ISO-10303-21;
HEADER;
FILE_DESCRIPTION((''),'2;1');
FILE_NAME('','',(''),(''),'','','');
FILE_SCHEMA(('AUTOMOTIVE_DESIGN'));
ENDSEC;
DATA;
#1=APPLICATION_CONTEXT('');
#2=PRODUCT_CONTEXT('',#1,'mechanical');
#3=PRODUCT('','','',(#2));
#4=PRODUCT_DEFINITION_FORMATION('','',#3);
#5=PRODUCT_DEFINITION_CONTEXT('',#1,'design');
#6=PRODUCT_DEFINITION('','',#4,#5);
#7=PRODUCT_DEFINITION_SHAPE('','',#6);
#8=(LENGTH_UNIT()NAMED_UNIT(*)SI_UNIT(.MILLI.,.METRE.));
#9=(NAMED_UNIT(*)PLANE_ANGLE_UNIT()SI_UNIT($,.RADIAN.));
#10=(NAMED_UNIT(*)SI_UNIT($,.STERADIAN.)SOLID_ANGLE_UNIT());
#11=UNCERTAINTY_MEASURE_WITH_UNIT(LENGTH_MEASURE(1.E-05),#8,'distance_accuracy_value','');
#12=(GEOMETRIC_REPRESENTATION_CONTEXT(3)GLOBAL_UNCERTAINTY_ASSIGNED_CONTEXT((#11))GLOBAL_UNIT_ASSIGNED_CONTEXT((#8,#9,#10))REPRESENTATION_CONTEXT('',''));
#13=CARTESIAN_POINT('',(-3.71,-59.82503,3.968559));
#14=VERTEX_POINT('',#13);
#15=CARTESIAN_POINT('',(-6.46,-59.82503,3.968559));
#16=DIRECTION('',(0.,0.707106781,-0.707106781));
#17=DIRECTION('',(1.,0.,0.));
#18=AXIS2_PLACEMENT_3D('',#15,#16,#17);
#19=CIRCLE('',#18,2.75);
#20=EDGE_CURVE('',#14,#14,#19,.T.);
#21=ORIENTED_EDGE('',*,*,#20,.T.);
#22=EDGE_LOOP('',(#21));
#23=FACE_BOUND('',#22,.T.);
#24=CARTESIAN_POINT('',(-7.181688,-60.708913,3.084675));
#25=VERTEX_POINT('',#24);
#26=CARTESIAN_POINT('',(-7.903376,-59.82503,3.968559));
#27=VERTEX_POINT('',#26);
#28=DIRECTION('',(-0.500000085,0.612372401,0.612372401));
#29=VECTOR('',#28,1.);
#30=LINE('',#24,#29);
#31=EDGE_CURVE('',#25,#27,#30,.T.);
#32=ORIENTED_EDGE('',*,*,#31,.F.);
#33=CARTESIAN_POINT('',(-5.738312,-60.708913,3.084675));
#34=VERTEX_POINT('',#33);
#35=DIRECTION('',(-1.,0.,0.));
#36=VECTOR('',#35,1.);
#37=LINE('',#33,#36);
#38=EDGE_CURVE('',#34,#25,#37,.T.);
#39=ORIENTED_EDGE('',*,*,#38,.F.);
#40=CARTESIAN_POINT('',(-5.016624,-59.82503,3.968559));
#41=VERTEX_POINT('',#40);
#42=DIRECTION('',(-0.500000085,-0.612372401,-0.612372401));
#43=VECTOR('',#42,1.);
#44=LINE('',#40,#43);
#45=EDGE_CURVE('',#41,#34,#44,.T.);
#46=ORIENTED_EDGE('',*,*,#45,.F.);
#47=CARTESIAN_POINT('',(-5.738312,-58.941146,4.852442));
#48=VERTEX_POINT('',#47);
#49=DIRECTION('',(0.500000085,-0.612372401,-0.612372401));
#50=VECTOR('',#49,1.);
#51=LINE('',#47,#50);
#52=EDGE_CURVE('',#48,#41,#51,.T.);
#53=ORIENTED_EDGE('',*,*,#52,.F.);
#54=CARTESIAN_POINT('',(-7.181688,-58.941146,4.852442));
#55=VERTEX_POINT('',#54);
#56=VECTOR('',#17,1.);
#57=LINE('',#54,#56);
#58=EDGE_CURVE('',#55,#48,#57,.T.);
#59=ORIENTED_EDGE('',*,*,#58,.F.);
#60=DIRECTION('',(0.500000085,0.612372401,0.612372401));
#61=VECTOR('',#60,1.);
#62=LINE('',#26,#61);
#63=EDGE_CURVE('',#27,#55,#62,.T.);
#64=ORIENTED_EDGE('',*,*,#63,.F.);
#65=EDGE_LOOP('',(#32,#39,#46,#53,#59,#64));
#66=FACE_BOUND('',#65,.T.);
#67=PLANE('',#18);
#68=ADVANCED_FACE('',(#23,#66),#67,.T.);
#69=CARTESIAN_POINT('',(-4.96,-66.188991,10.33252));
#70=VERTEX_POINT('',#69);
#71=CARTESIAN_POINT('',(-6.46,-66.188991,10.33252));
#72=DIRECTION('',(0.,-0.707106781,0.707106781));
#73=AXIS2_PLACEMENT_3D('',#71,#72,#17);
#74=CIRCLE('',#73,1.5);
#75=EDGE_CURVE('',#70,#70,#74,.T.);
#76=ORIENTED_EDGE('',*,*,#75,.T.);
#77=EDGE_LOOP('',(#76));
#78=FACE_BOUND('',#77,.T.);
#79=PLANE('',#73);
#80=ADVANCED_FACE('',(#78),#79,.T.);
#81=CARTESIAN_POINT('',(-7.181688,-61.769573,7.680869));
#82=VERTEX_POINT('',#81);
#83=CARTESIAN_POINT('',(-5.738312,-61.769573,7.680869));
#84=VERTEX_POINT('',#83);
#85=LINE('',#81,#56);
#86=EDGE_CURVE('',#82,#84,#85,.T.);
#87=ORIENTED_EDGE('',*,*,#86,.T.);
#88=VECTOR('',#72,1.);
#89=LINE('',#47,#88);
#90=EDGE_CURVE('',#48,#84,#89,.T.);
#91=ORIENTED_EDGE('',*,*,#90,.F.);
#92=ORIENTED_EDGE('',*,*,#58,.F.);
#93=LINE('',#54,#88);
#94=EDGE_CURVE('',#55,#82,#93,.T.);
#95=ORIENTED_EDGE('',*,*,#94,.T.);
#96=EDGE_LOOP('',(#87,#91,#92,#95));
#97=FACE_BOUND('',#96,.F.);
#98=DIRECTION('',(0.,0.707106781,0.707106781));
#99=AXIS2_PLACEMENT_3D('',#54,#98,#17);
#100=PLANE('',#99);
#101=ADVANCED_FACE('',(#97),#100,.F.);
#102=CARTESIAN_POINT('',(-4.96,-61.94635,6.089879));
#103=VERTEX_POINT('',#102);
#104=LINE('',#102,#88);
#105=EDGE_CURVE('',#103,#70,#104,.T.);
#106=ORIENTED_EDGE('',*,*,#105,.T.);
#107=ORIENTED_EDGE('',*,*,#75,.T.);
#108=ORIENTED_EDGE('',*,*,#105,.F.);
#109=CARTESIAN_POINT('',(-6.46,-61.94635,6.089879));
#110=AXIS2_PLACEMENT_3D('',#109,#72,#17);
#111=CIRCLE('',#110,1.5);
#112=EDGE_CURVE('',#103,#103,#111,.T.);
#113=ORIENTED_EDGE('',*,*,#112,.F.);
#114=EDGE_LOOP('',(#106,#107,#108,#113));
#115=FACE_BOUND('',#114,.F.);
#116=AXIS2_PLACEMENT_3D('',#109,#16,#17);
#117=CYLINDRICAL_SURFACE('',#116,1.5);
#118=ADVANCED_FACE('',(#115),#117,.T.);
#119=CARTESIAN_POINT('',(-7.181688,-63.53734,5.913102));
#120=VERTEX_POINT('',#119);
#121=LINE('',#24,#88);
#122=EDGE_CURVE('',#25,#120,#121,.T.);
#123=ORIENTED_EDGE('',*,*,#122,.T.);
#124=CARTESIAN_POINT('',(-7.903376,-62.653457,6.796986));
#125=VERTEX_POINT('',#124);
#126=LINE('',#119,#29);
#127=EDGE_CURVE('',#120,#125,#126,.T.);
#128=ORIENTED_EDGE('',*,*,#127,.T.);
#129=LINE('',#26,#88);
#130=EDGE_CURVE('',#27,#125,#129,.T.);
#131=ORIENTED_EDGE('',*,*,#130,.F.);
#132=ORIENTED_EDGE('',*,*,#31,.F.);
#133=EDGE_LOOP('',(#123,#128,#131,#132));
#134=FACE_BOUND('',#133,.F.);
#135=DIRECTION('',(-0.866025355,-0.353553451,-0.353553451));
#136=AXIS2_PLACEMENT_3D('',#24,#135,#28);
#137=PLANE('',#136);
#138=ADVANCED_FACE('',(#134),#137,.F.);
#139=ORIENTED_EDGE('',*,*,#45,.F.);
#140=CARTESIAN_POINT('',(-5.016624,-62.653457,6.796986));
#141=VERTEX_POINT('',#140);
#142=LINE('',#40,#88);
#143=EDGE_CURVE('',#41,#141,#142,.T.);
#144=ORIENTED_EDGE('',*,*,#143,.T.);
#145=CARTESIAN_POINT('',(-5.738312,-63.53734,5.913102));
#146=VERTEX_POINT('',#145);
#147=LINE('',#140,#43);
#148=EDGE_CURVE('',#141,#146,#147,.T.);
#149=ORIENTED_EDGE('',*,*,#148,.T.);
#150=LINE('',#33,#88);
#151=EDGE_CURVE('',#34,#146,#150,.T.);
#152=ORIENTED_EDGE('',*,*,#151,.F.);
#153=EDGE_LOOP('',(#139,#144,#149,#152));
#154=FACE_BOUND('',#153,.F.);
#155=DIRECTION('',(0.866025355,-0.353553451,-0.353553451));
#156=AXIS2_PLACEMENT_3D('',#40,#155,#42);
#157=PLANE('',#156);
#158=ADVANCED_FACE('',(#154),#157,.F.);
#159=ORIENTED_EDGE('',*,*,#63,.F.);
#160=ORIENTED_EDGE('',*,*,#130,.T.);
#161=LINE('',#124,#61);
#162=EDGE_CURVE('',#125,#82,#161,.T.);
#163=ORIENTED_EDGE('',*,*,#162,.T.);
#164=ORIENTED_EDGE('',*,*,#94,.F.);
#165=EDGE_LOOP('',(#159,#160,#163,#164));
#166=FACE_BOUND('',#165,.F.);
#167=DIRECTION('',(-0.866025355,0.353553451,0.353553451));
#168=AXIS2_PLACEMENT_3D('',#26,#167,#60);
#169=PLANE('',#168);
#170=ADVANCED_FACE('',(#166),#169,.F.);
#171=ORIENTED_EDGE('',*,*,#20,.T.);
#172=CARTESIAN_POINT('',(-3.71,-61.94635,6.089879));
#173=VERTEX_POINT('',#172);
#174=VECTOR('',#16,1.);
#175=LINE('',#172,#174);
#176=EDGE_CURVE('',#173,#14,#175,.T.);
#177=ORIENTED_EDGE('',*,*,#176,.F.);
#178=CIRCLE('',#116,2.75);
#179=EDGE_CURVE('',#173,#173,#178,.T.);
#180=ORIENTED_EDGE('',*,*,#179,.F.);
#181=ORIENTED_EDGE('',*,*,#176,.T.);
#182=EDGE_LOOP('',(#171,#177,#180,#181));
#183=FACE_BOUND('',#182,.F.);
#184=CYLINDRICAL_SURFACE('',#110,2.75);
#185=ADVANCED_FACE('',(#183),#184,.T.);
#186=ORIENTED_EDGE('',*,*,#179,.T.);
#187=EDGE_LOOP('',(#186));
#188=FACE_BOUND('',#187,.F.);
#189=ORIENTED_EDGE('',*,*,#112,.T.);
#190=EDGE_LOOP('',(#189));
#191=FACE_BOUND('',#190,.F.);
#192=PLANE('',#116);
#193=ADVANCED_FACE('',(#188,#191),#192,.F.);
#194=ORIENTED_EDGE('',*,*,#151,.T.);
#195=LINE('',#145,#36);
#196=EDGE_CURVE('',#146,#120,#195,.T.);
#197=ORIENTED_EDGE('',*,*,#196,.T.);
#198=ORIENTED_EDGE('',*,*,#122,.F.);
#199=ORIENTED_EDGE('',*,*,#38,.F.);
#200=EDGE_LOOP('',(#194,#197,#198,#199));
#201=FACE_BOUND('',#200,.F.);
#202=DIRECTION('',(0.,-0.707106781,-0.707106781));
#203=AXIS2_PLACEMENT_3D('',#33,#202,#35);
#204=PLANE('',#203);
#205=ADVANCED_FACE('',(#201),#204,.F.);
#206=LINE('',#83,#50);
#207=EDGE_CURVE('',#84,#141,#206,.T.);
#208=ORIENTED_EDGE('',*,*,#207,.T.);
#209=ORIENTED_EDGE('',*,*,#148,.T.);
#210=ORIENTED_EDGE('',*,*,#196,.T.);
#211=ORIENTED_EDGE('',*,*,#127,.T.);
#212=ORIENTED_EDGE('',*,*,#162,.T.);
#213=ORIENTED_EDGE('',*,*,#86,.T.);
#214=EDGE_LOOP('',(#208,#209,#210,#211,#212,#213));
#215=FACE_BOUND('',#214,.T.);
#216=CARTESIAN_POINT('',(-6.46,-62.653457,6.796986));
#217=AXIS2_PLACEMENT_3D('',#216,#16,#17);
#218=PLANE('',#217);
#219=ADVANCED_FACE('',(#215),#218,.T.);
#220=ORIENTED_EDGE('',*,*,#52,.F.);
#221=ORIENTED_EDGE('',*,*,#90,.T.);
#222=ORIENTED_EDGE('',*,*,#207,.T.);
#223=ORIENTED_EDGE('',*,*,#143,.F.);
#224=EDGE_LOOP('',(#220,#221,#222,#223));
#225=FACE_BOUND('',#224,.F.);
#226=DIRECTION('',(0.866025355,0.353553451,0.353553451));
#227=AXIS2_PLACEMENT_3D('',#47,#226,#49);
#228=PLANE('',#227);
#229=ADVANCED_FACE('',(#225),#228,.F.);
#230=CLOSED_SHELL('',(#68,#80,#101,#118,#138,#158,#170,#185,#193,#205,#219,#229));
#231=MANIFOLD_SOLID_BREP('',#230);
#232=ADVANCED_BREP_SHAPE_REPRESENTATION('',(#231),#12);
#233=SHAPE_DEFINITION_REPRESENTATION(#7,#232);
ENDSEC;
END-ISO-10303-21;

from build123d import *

# Parameters (mm, degrees)
SKETCH047_R             = 2.75
PAD024_DEPTH            = 3
SKETCH048_R             = 1.5
PAD025_DEPTH            = 6
POCKET022_DEPTH         = 4
BODY013_PLACEMENT_ANGLE = 225


with BuildPart() as part:
    # Sketch047 → Pad024 (new body)
    with BuildSketch(Plane.XY):
        Circle(SKETCH047_R)
    extrude(amount=PAD024_DEPTH)

    # Sketch048 (on Face2 of Pad024) → Pad025 (join)
    with BuildSketch(Plane(origin=(0, 0, 0), x_dir=(1, 0, 0), z_dir=(0, 0, -1))):
        Circle(SKETCH048_R)
    extrude(amount=PAD025_DEPTH)

    # Sketch049 (on DatumPlane) → Pocket022 (cut)
    with BuildSketch(Plane.XY.offset(3)):
        Polygon((0.721688, -1.25), (1.443376, 0), (0.721688, 1.25), (-0.721688, 1.25), (-1.443376, 0), (-0.721688, -1.25), align=None)
    extrude(amount=-POCKET022_DEPTH, mode=Mode.SUBTRACT)


with BuildPart() as part_1:
    # Body013 placement: moved
    add(part.part.moved(Location((-6.46, -61.94635, 6.089879))).rotate(Axis((-6.46, -61.94635, 6.089879), (1, 0, 0)), BODY013_PLACEMENT_ANGLE))


solid = part_1.part
